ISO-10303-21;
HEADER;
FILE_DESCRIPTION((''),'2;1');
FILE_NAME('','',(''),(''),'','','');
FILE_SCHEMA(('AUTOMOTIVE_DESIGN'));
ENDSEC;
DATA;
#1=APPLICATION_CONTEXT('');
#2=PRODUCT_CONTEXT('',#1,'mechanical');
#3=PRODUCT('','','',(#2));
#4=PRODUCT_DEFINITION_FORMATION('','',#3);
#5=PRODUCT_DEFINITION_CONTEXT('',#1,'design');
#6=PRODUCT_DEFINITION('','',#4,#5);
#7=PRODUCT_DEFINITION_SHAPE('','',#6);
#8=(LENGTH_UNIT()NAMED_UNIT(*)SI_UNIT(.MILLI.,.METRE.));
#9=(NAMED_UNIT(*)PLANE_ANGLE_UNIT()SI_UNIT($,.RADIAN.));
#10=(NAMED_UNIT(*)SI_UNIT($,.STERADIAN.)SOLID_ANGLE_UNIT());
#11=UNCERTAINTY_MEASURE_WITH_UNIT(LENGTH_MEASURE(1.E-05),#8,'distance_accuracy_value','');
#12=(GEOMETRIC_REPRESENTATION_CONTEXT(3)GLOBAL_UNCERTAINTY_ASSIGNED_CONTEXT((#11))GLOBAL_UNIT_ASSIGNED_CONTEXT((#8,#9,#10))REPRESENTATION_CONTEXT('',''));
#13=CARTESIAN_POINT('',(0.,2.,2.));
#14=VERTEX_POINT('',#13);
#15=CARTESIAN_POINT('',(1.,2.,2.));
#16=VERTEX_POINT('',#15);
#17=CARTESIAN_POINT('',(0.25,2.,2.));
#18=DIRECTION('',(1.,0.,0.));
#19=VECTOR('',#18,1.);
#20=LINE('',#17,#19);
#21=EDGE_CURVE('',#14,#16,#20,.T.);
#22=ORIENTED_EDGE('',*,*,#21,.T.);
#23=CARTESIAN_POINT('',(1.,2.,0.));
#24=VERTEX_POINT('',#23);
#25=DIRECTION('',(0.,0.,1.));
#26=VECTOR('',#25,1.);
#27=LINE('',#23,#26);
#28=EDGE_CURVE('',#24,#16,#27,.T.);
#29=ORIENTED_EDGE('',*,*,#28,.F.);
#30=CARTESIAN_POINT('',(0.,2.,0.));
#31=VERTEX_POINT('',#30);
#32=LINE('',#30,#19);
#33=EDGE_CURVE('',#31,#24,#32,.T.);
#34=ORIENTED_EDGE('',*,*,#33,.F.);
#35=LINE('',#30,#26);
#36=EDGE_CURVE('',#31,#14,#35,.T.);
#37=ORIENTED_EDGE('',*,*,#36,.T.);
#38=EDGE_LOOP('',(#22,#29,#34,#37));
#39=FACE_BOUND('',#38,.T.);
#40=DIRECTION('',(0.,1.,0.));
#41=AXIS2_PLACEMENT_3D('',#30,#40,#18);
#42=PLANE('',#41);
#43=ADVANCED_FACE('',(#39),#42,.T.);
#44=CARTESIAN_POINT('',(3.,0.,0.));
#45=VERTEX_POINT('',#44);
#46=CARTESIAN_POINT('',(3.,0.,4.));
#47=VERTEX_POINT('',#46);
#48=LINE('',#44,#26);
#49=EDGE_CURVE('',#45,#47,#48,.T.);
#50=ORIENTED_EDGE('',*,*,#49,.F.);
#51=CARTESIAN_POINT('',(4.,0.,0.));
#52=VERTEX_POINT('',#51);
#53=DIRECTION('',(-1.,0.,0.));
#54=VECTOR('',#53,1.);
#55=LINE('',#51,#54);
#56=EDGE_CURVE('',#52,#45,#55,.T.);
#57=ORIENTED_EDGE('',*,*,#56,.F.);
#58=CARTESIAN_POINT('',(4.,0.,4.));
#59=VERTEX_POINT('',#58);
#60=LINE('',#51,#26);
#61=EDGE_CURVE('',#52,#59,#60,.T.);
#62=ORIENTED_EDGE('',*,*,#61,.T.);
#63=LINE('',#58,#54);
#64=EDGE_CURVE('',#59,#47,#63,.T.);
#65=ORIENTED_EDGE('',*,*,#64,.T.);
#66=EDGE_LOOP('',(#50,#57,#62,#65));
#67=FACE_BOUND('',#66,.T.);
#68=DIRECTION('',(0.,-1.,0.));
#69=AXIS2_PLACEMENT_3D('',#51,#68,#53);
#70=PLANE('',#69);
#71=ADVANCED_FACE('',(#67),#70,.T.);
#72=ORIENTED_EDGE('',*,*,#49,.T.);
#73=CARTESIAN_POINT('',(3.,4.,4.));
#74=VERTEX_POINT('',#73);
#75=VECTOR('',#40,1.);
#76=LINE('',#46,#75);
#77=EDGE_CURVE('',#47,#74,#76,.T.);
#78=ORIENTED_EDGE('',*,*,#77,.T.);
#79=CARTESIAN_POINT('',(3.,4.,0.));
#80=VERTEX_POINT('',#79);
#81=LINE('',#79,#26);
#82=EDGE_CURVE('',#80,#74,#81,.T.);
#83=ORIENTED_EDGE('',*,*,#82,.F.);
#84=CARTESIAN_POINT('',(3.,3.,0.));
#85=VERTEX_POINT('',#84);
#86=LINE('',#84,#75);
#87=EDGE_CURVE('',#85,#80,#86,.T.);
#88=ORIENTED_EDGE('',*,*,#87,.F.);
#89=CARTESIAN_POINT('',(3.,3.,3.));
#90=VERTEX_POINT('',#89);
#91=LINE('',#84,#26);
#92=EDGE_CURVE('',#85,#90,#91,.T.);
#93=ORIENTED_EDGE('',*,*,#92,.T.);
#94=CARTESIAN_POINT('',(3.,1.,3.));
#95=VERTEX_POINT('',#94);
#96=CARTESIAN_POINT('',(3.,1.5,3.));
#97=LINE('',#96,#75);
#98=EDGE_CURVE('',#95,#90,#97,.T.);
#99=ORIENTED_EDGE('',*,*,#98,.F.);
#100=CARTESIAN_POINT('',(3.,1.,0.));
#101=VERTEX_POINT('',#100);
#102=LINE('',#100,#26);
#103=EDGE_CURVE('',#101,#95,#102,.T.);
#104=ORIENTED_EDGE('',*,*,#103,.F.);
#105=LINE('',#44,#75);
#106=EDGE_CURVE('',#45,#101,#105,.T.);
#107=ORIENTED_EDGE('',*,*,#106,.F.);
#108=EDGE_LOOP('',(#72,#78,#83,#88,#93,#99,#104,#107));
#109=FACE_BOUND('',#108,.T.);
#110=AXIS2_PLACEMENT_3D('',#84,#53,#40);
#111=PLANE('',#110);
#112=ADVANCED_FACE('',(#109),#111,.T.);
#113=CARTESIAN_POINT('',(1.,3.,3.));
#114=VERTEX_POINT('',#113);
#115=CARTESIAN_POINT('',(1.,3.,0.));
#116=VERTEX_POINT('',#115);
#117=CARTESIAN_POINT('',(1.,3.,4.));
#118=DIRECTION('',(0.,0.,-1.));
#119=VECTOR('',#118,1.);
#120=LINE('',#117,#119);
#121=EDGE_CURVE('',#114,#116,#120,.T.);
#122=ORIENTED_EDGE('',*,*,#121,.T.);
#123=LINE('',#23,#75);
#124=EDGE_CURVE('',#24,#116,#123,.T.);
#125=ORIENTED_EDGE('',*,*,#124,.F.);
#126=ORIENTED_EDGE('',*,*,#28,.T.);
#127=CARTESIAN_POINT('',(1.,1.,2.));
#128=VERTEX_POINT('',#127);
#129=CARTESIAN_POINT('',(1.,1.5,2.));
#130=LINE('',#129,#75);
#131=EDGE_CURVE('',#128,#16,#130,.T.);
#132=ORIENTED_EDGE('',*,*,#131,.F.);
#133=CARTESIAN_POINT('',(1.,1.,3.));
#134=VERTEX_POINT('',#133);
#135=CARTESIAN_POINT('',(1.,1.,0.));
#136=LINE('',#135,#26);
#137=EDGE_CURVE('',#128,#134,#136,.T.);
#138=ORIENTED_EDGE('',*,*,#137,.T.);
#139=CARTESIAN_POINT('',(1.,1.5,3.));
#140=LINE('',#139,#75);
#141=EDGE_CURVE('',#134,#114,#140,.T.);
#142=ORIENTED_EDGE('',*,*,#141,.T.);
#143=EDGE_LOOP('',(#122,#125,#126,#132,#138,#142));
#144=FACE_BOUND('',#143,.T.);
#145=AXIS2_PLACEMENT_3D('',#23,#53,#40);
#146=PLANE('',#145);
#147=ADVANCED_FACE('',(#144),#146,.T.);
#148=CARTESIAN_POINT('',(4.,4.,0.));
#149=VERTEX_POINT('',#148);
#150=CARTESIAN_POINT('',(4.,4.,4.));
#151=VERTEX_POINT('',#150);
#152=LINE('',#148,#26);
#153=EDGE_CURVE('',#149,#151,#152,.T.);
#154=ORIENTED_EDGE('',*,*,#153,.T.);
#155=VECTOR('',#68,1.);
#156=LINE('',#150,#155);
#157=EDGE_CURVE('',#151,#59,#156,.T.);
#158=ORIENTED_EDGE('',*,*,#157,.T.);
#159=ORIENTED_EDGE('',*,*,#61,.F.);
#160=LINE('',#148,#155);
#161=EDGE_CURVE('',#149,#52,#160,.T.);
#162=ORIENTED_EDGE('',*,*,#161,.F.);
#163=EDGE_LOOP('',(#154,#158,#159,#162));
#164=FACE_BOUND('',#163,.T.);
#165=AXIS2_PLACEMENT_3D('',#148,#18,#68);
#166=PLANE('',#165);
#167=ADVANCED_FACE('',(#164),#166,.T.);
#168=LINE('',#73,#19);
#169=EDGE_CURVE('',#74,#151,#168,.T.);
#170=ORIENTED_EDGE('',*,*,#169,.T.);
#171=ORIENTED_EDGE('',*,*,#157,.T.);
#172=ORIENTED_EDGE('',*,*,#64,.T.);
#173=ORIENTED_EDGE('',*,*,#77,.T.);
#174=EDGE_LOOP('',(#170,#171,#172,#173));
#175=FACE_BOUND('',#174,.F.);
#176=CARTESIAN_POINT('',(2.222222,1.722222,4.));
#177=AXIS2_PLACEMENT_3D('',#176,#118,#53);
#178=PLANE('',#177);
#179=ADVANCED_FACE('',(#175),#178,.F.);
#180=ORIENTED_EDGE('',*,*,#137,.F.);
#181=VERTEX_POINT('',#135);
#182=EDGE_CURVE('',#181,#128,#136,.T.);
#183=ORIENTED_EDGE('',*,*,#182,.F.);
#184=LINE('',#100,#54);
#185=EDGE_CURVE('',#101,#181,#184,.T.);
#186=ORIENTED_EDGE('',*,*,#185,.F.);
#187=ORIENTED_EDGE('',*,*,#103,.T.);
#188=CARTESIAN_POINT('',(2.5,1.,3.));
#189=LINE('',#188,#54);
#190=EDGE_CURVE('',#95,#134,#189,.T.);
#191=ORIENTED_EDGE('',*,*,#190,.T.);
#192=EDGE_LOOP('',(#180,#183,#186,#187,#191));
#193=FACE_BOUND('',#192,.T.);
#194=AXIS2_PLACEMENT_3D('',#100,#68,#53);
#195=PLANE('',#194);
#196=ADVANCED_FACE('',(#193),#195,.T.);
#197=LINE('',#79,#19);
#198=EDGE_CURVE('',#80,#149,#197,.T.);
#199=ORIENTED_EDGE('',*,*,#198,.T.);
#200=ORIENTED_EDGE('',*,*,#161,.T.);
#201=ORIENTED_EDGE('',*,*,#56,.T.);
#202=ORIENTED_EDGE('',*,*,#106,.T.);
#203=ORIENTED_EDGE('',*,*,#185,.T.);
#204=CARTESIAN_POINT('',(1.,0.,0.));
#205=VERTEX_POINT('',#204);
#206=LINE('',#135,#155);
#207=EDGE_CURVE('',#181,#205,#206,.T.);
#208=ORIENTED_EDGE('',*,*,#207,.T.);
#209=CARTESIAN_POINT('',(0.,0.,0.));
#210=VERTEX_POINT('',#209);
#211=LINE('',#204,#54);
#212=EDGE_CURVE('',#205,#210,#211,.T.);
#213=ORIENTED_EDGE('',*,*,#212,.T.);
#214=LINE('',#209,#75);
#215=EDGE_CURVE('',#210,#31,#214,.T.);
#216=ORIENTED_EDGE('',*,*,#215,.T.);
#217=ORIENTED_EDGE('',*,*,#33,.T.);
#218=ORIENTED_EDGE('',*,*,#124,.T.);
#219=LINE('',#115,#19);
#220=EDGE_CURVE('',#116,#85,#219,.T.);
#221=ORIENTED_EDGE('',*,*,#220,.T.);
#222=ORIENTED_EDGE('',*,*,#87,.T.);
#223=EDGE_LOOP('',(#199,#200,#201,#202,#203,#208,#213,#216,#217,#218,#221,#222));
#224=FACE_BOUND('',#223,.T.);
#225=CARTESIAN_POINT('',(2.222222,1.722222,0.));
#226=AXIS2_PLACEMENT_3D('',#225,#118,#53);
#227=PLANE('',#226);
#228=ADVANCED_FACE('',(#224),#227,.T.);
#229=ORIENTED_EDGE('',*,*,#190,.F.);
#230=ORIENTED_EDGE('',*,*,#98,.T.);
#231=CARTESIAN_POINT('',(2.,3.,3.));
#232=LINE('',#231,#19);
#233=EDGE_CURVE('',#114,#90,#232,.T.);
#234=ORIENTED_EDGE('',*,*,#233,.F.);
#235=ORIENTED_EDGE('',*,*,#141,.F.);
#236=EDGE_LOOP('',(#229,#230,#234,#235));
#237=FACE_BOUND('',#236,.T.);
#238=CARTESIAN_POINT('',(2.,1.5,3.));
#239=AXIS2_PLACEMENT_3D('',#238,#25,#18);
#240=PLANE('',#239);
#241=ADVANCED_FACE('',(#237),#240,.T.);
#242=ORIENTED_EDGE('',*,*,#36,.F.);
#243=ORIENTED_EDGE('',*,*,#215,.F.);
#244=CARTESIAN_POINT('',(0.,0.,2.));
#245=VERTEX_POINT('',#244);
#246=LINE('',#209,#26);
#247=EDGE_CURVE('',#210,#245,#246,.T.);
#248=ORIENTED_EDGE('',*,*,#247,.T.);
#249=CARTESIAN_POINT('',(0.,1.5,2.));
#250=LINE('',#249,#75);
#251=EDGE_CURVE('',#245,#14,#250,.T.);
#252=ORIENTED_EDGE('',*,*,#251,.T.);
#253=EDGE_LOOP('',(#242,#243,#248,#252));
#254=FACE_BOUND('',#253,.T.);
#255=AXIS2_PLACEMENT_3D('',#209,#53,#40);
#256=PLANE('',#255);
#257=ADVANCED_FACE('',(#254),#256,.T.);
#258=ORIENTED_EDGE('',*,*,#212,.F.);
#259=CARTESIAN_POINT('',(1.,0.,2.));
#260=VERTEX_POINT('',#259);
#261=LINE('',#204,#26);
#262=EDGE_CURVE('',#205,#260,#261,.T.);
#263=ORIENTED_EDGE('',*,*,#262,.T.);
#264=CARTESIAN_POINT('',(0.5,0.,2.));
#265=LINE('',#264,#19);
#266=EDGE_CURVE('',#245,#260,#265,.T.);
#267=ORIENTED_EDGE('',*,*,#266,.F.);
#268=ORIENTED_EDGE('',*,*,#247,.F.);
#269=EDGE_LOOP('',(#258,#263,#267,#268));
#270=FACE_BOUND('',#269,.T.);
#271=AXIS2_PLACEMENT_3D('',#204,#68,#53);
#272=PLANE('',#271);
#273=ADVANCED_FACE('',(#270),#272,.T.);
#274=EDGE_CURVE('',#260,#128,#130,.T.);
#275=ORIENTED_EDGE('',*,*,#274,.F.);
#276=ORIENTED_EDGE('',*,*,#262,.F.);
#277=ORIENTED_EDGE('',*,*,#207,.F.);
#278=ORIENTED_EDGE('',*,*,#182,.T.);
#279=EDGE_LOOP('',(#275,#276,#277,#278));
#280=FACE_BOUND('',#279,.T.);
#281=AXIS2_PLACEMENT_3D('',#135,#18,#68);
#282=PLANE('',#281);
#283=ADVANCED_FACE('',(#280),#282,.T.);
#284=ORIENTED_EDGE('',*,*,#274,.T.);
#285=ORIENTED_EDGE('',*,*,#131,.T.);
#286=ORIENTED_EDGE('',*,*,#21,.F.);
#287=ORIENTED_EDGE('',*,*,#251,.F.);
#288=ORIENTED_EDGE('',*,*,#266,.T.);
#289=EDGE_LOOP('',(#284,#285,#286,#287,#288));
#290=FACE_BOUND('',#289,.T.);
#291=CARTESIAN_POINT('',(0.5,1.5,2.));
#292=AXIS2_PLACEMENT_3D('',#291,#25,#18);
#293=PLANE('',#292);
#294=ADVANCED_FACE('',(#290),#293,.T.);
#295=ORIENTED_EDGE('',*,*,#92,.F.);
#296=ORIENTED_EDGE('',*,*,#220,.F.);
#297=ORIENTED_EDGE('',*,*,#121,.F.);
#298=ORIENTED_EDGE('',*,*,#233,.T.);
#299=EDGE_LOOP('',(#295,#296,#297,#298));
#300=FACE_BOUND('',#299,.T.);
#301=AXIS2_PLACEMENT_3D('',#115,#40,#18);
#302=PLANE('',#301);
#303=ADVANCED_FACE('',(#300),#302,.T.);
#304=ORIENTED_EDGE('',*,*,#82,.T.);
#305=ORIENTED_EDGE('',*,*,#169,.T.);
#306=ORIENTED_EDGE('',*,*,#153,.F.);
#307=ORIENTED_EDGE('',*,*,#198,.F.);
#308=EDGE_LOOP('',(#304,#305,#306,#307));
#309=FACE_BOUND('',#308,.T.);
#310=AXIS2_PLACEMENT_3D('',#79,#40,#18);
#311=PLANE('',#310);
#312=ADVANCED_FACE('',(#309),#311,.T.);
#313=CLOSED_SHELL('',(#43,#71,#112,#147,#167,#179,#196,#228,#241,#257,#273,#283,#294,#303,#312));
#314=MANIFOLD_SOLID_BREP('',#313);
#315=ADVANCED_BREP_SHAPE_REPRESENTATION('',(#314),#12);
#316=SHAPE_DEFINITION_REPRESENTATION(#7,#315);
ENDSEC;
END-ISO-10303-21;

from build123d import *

# Parameters (mm, degrees)
BOSS_EXTRUDE1_DEPTH = 4
SKETCH2_W           = 1
SKETCH2_H           = 3
CUT_EXTRUDE1_DEPTH  = 2
SKETCH3_W           = 2
SKETCH3_H           = 3
CUT_EXTRUDE2_DEPTH  = 1


with BuildPart() as part:
    # Sketch1 → Boss-Extrude1 (new body)
    with BuildSketch(Plane.XY):
        Polygon((0, 0), (0, 2), (1, 2), (1, 3), (3, 3), (3, 4), (4, 4), (4, 0), (3, 0), (3, 1), (1, 1), (1, 0), align=None)
    extrude(amount=BOSS_EXTRUDE1_DEPTH)

    # Sketch2 → Cut-Extrude1 (cut)
    with BuildSketch(Plane.XY.offset(4)):
        with Locations((0.5, 1.5)):
            Rectangle(SKETCH2_W, SKETCH2_H)
    extrude(amount=-CUT_EXTRUDE1_DEPTH, mode=Mode.SUBTRACT)

    # Sketch3 → Cut-Extrude2 (cut)
    with BuildSketch(Plane.XY.offset(4)):
        with Locations((2, 1.5)):
            Rectangle(SKETCH3_W, SKETCH3_H)
    extrude(amount=-CUT_EXTRUDE2_DEPTH, mode=Mode.SUBTRACT)


solid = part.part
